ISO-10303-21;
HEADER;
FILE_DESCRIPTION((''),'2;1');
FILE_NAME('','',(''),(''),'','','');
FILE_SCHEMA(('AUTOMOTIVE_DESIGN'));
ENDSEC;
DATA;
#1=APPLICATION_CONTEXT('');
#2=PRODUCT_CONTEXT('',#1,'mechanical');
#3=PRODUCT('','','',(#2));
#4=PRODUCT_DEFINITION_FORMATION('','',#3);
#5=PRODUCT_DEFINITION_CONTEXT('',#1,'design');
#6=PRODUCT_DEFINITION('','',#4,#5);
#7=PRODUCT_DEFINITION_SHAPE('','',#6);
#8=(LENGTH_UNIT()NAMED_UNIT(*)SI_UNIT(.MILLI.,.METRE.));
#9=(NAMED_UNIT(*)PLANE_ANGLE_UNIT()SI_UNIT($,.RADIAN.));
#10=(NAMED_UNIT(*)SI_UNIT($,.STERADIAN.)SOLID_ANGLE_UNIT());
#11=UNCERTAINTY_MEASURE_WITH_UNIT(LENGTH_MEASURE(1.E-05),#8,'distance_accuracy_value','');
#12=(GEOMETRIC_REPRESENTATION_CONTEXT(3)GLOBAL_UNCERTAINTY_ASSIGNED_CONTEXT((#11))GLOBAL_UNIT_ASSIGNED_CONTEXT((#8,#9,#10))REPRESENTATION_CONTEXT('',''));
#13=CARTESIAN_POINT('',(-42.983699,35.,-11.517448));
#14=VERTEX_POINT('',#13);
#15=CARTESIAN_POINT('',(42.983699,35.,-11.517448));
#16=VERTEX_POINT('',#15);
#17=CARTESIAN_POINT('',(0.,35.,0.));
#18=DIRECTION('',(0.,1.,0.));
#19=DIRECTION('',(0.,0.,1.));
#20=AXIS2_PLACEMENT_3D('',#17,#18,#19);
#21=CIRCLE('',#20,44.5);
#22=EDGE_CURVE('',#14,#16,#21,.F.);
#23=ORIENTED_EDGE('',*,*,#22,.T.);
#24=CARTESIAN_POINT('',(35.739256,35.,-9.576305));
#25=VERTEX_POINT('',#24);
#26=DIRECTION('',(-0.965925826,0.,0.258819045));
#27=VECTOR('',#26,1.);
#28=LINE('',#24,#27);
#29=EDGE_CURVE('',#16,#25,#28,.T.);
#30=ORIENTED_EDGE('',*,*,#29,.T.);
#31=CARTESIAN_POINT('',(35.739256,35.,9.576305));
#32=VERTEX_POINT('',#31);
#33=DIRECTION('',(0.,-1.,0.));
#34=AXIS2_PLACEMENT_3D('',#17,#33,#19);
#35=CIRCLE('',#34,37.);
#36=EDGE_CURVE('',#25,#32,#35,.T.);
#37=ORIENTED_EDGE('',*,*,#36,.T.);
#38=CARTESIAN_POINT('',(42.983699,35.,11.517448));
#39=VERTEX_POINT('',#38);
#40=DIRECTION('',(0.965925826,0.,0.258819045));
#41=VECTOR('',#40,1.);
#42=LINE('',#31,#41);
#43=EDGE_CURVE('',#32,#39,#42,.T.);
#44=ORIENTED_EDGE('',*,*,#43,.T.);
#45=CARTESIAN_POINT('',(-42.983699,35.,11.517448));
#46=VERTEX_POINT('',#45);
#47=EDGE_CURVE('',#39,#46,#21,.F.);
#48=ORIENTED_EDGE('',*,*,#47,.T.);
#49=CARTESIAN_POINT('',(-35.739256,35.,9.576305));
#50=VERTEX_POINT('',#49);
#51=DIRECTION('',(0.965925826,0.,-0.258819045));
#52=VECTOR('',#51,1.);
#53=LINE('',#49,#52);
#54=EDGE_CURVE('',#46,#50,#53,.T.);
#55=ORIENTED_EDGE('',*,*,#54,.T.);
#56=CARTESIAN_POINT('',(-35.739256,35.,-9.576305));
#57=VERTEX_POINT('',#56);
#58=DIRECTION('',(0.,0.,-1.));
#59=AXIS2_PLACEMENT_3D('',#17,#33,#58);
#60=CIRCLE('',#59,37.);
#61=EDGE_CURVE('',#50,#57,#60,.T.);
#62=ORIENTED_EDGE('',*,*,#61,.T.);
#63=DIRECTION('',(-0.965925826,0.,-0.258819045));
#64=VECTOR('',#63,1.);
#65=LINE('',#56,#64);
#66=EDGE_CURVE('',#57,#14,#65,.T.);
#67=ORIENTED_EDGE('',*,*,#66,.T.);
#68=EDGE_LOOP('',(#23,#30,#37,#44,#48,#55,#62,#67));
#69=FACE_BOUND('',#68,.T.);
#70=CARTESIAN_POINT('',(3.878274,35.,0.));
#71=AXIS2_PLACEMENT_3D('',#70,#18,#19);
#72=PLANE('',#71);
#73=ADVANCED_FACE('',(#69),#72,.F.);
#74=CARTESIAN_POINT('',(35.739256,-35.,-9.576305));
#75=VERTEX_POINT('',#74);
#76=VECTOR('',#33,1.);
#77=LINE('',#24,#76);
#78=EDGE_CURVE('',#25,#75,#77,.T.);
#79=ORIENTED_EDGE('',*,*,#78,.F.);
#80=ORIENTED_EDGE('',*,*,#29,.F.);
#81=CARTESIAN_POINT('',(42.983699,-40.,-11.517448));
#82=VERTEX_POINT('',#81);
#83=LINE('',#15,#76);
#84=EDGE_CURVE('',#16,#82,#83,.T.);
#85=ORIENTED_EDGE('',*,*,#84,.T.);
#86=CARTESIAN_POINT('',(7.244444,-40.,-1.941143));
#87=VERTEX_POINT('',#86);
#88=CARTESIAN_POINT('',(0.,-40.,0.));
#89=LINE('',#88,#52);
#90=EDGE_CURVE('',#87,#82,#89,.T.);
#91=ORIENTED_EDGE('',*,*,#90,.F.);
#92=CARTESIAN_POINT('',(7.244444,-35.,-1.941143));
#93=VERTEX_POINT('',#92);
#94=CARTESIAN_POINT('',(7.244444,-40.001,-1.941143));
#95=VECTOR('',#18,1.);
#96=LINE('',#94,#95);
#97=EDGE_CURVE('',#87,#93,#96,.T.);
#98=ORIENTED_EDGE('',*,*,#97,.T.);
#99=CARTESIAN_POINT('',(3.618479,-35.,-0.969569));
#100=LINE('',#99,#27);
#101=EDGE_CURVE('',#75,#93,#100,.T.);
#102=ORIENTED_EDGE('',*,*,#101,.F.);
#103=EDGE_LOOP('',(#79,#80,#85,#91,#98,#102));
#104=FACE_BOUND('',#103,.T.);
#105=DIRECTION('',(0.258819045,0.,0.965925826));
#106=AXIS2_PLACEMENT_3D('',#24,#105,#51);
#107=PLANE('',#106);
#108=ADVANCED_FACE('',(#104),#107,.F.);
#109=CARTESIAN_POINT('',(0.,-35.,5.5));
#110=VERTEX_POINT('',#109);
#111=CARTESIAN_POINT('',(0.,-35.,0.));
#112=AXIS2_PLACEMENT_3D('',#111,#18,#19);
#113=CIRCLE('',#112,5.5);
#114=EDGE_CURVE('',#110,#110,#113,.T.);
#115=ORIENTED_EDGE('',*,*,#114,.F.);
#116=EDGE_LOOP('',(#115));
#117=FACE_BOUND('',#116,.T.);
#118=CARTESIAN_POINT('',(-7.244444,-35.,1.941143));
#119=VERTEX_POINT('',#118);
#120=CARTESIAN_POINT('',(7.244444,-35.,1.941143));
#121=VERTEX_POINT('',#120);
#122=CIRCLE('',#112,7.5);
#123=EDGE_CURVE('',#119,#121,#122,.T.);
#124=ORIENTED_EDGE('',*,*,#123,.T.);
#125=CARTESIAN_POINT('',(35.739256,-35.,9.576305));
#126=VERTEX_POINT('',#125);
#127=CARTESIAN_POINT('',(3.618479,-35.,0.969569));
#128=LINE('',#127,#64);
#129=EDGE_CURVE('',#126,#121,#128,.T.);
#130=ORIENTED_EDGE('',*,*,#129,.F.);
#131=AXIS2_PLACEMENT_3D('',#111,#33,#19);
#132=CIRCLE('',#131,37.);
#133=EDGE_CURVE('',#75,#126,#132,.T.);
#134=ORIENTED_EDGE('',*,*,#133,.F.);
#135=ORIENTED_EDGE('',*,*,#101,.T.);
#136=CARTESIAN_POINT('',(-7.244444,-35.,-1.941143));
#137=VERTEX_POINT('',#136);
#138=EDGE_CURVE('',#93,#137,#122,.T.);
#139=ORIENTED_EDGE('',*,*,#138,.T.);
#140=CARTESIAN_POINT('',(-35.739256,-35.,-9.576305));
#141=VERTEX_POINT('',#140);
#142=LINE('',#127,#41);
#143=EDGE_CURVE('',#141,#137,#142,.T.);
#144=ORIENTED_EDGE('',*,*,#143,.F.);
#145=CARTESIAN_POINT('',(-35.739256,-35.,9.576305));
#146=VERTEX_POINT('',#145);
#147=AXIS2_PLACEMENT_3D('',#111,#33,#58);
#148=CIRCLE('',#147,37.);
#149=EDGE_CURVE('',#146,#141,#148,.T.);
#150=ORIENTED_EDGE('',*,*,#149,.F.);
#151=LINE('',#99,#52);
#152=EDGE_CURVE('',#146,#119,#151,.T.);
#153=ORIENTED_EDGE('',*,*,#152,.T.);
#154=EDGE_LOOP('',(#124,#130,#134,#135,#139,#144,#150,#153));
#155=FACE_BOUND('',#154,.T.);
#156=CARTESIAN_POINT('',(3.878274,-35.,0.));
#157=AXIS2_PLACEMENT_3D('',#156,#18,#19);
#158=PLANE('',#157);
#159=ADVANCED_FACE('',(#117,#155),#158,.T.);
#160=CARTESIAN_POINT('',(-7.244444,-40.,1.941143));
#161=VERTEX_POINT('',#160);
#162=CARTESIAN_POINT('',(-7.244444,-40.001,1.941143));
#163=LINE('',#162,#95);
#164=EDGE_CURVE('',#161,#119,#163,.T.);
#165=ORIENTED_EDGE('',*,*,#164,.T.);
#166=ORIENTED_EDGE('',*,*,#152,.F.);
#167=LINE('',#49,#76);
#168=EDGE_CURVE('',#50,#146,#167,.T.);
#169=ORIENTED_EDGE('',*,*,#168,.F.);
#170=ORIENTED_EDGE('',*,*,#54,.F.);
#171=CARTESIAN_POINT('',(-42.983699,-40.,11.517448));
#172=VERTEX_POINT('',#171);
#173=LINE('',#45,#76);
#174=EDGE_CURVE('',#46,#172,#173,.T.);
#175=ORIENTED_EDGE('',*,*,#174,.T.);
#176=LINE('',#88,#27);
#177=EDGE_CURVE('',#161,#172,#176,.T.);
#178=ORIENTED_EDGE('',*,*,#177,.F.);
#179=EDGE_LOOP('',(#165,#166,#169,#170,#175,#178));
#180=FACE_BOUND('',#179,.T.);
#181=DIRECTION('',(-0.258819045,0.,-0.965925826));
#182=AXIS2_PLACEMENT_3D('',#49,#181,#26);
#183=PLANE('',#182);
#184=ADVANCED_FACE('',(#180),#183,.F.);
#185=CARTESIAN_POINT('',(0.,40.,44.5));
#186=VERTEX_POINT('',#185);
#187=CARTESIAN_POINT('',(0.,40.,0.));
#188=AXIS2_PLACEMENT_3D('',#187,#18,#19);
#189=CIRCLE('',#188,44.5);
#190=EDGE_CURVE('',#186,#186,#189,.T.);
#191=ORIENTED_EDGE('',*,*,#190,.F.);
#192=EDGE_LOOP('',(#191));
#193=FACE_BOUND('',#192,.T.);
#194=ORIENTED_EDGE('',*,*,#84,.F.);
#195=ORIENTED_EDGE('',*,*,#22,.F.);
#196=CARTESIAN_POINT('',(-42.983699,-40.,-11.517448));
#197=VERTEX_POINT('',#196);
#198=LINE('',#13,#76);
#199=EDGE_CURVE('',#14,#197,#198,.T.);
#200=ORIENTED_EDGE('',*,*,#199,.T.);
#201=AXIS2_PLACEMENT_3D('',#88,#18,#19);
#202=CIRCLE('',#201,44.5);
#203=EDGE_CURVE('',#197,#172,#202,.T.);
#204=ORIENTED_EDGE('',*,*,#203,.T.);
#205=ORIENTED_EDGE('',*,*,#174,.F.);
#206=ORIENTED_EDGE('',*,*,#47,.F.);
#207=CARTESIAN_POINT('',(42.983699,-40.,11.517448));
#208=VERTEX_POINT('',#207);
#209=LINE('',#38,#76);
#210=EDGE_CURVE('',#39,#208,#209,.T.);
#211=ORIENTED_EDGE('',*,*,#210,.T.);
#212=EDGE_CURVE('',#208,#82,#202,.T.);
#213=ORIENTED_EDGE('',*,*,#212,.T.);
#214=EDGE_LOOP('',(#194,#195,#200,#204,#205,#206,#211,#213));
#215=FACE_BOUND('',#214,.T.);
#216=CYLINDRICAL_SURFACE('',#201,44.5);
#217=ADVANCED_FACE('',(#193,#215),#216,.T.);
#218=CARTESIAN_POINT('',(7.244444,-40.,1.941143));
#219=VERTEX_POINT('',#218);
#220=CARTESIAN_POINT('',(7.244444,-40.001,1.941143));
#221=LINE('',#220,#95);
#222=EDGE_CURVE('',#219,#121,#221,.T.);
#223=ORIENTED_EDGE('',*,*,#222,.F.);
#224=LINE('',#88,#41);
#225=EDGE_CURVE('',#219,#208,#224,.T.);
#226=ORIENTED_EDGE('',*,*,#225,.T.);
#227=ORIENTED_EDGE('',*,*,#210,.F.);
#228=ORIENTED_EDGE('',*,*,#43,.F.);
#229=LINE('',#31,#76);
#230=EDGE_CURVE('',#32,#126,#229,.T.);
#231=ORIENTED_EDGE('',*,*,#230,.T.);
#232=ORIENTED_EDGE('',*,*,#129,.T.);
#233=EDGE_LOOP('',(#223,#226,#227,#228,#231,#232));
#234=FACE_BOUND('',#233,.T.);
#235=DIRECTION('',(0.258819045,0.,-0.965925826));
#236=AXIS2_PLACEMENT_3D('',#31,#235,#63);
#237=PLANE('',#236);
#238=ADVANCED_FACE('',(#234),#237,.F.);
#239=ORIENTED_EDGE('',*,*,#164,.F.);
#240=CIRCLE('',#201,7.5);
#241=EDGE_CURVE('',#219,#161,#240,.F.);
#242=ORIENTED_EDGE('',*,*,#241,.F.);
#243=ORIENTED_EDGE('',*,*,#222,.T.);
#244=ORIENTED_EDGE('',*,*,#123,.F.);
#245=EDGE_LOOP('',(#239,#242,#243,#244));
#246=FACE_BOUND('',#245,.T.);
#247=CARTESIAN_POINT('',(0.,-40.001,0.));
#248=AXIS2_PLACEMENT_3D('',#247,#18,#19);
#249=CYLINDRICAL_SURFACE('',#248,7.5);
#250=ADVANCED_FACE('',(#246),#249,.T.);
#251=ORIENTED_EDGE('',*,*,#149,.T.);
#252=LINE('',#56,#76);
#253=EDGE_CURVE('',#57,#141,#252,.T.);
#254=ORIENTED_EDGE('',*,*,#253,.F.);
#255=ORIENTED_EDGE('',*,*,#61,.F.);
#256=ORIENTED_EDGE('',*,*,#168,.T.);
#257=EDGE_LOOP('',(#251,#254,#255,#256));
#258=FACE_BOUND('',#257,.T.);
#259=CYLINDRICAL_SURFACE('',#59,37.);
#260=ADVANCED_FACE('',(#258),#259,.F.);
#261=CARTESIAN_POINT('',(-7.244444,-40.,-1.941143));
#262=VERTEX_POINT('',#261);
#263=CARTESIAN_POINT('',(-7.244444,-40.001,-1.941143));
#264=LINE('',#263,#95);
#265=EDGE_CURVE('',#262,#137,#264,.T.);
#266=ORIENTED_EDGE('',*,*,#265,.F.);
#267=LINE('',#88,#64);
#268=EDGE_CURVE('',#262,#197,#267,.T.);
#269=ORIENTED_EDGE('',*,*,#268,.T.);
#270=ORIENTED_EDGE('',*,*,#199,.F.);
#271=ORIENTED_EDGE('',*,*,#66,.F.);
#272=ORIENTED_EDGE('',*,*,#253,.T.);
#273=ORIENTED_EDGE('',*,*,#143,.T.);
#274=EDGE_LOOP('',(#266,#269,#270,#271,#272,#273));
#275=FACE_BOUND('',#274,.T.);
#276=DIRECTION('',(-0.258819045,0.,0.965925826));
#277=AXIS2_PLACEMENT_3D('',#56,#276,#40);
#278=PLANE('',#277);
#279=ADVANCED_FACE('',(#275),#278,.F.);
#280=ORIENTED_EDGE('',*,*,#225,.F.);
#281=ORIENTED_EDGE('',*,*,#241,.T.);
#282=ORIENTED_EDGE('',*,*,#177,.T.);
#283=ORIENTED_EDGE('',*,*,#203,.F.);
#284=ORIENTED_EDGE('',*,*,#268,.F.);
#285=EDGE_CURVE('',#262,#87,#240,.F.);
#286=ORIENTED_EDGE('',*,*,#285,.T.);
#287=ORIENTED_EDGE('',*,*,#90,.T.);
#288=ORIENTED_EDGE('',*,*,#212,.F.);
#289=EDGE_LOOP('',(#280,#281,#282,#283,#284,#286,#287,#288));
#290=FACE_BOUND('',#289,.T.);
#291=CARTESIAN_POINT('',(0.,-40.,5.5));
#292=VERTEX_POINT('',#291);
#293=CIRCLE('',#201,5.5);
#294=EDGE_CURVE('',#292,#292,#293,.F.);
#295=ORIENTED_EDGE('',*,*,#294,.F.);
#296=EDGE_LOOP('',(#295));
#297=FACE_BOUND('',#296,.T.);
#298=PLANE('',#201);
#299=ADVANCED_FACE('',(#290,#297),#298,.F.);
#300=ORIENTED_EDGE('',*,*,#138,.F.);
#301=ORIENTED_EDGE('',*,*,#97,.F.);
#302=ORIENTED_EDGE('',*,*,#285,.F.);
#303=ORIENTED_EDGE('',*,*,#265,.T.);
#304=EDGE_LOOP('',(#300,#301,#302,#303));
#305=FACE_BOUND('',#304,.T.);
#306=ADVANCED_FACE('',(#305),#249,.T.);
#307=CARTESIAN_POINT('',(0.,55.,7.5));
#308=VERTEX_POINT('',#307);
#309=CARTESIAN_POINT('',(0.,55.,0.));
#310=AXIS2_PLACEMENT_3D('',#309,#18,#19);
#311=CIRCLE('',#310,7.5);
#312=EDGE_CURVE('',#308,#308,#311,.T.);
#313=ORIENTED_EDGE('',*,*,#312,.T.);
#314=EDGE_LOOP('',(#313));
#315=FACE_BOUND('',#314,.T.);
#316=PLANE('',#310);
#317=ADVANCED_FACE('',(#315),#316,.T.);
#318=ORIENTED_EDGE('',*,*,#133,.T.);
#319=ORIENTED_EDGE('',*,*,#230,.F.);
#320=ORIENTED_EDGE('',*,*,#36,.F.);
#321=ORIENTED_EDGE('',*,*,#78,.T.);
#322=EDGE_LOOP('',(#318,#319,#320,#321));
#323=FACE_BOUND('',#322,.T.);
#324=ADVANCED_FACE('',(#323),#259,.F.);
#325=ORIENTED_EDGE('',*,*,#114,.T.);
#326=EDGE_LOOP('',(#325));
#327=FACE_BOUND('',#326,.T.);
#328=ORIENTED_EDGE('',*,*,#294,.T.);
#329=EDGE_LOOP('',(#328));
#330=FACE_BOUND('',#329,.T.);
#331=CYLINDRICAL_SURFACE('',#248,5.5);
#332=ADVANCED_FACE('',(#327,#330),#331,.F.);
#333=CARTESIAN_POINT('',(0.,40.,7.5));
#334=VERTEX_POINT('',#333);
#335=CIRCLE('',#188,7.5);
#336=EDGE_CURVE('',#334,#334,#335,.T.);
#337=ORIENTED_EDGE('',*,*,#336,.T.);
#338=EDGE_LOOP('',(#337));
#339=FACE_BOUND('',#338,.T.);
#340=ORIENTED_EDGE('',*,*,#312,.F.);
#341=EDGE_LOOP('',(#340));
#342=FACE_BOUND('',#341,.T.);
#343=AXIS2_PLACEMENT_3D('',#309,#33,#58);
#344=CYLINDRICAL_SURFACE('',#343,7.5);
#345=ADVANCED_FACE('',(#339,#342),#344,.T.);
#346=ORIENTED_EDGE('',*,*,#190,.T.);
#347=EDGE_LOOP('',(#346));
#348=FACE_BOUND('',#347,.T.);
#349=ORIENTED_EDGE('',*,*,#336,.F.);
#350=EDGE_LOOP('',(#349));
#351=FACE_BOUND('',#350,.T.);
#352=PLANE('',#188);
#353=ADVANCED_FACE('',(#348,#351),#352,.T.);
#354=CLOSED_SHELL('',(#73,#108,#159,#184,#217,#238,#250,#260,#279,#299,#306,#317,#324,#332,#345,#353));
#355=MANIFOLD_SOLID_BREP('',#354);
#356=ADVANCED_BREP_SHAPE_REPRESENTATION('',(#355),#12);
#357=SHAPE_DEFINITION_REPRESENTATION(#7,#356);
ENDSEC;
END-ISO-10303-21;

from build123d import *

# Parameters (mm, degrees)
SALIENTE_EXTRUIR1_DEPTH      = 40
SALIENTE_EXTRUIR1_DEPTH_BACK = 40
CROQUIS1_R                   = 44.5
CORTAR_EXTRUIR1_DEPTH        = 35
CORTAR_EXTRUIR1_DEPTH_BACK   = 35
CROQUIS2_OUTSIDE_W           = 120.828
CROQUIS2_OUTSIDE_H           = 120.828
CORTAR_EXTRUIR2_REACH        = 99.906
CROQUIS3_R                   = 5.5
SALIENTE_EXTRUIR2_START      = 15
CROQUIS4_R                   = 7.5
SALIENTE_EXTRUIR2_DEPTH      = 15


with BuildPart() as part:
    # Croquis1 → Saliente-Extruir1 (new, two sides: drawn at the far end of the back side and taken through both)
    with BuildSketch(Plane(origin=(0, 0, 0), x_dir=(1, 0, 0), z_dir=(0, 1, 0)).offset(-SALIENTE_EXTRUIR1_DEPTH_BACK)):
        Circle(CROQUIS1_R)
    extrude(amount=SALIENTE_EXTRUIR1_DEPTH + SALIENTE_EXTRUIR1_DEPTH_BACK)

    # Croquis2 outside → Cortar-Extruir1 (cut, two sides: drawn at the far end of the back side and taken through both)
    with BuildSketch(Plane(origin=(0, 0, 0), x_dir=(1, 0, 0), z_dir=(0, 1, 0)).offset(-CORTAR_EXTRUIR1_DEPTH_BACK)):
        Rectangle(CROQUIS2_OUTSIDE_W, CROQUIS2_OUTSIDE_H)
        with BuildLine():
            Line((35.739256, 9.576305), (42.983699, 11.517448))
            ThreePointArc((42.983699, 11.517448), (44.5, 0), (42.983699, -11.517448))
            Line((42.983699, -11.517448), (35.739256, -9.576305))
            ThreePointArc((35.739256, -9.576305), (37, 0), (35.739256, 9.576305))
        make_face(mode=Mode.SUBTRACT)
        with BuildLine():
            Line((-35.739256, -9.576305), (-42.983699, -11.517448))
            ThreePointArc((-42.983699, -11.517448), (-44.5, 0), (-42.983699, 11.517448))
            Line((-42.983699, 11.517448), (-35.739256, 9.576305))
            ThreePointArc((-35.739256, 9.576305), (-37, 0), (-35.739256, -9.576305))
        make_face(mode=Mode.SUBTRACT)
    extrude(amount=CORTAR_EXTRUIR1_DEPTH + CORTAR_EXTRUIR1_DEPTH_BACK, mode=Mode.SUBTRACT)

    # Croquis3 → Cortar-Extruir2 (cut, up to next)
    with BuildSketch(Plane(origin=(0, -35, 0), x_dir=(1, 0, 0), z_dir=(0, 1, 0)), mode=Mode.PRIVATE) as cortar_extruir2_sk1:
        with BuildLine():
            Line((7.244444, 1.941143), (42.983699, 11.517448))
            ThreePointArc((42.983699, 11.517448), (0, 44.5), (-42.983699, 11.517448))
            Line((-42.983699, 11.517448), (-7.244444, 1.941143))
            ThreePointArc((-7.244444, 1.941143), (0, 7.5), (7.244444, 1.941143))
        make_face()
    cortar_extruir2_tool1 = extrude(cortar_extruir2_sk1.sketch, amount=-CORTAR_EXTRUIR2_REACH, mode=Mode.PRIVATE) & part.part
    # Croquis3 → Cortar-Extruir2 (cut, up to next)
    with BuildSketch(Plane(origin=(0, -35, 0), x_dir=(1, 0, 0), z_dir=(0, 1, 0)), mode=Mode.PRIVATE) as cortar_extruir2_sk2:
        with BuildLine():
            ThreePointArc((-42.983699, -11.517448), (0, -44.5), (42.983699, -11.517448))
            Line((42.983699, -11.517448), (7.244444, -1.941143))
            ThreePointArc((7.244444, -1.941143), (0, -7.5), (-7.244444, -1.941143))
            Line((-7.244444, -1.941143), (-42.983699, -11.517448))
        make_face()
    cortar_extruir2_tool2 = extrude(cortar_extruir2_sk2.sketch, amount=-CORTAR_EXTRUIR2_REACH, mode=Mode.PRIVATE) & part.part
    # Croquis3 → Cortar-Extruir2 (cut, up to next)
    with BuildSketch(Plane(origin=(0, -35, 0), x_dir=(1, 0, 0), z_dir=(0, 1, 0)), mode=Mode.PRIVATE) as cortar_extruir2_sk3:
        Circle(CROQUIS3_R)
    cortar_extruir2_tool3 = extrude(cortar_extruir2_sk3.sketch, amount=-CORTAR_EXTRUIR2_REACH, mode=Mode.PRIVATE) & part.part
    add(cortar_extruir2_tool1.solids().sort_by_distance((0, -35, -22.423567))[0], mode=Mode.SUBTRACT)
    add(cortar_extruir2_tool2.solids().sort_by_distance((0, -35, 22.423567))[0], mode=Mode.SUBTRACT)
    add(cortar_extruir2_tool3.solids().sort_by_distance((0, -35, 0))[0], mode=Mode.SUBTRACT)

    # Croquis4 → Saliente-Extruir2 (add)
    with BuildSketch(Plane(origin=(0, 40, 0), x_dir=(1, 0, 0), z_dir=(0, 1, 0)).offset(SALIENTE_EXTRUIR2_START)):
        Circle(CROQUIS4_R)
    extrude(amount=-SALIENTE_EXTRUIR2_DEPTH)


solid = part.part
